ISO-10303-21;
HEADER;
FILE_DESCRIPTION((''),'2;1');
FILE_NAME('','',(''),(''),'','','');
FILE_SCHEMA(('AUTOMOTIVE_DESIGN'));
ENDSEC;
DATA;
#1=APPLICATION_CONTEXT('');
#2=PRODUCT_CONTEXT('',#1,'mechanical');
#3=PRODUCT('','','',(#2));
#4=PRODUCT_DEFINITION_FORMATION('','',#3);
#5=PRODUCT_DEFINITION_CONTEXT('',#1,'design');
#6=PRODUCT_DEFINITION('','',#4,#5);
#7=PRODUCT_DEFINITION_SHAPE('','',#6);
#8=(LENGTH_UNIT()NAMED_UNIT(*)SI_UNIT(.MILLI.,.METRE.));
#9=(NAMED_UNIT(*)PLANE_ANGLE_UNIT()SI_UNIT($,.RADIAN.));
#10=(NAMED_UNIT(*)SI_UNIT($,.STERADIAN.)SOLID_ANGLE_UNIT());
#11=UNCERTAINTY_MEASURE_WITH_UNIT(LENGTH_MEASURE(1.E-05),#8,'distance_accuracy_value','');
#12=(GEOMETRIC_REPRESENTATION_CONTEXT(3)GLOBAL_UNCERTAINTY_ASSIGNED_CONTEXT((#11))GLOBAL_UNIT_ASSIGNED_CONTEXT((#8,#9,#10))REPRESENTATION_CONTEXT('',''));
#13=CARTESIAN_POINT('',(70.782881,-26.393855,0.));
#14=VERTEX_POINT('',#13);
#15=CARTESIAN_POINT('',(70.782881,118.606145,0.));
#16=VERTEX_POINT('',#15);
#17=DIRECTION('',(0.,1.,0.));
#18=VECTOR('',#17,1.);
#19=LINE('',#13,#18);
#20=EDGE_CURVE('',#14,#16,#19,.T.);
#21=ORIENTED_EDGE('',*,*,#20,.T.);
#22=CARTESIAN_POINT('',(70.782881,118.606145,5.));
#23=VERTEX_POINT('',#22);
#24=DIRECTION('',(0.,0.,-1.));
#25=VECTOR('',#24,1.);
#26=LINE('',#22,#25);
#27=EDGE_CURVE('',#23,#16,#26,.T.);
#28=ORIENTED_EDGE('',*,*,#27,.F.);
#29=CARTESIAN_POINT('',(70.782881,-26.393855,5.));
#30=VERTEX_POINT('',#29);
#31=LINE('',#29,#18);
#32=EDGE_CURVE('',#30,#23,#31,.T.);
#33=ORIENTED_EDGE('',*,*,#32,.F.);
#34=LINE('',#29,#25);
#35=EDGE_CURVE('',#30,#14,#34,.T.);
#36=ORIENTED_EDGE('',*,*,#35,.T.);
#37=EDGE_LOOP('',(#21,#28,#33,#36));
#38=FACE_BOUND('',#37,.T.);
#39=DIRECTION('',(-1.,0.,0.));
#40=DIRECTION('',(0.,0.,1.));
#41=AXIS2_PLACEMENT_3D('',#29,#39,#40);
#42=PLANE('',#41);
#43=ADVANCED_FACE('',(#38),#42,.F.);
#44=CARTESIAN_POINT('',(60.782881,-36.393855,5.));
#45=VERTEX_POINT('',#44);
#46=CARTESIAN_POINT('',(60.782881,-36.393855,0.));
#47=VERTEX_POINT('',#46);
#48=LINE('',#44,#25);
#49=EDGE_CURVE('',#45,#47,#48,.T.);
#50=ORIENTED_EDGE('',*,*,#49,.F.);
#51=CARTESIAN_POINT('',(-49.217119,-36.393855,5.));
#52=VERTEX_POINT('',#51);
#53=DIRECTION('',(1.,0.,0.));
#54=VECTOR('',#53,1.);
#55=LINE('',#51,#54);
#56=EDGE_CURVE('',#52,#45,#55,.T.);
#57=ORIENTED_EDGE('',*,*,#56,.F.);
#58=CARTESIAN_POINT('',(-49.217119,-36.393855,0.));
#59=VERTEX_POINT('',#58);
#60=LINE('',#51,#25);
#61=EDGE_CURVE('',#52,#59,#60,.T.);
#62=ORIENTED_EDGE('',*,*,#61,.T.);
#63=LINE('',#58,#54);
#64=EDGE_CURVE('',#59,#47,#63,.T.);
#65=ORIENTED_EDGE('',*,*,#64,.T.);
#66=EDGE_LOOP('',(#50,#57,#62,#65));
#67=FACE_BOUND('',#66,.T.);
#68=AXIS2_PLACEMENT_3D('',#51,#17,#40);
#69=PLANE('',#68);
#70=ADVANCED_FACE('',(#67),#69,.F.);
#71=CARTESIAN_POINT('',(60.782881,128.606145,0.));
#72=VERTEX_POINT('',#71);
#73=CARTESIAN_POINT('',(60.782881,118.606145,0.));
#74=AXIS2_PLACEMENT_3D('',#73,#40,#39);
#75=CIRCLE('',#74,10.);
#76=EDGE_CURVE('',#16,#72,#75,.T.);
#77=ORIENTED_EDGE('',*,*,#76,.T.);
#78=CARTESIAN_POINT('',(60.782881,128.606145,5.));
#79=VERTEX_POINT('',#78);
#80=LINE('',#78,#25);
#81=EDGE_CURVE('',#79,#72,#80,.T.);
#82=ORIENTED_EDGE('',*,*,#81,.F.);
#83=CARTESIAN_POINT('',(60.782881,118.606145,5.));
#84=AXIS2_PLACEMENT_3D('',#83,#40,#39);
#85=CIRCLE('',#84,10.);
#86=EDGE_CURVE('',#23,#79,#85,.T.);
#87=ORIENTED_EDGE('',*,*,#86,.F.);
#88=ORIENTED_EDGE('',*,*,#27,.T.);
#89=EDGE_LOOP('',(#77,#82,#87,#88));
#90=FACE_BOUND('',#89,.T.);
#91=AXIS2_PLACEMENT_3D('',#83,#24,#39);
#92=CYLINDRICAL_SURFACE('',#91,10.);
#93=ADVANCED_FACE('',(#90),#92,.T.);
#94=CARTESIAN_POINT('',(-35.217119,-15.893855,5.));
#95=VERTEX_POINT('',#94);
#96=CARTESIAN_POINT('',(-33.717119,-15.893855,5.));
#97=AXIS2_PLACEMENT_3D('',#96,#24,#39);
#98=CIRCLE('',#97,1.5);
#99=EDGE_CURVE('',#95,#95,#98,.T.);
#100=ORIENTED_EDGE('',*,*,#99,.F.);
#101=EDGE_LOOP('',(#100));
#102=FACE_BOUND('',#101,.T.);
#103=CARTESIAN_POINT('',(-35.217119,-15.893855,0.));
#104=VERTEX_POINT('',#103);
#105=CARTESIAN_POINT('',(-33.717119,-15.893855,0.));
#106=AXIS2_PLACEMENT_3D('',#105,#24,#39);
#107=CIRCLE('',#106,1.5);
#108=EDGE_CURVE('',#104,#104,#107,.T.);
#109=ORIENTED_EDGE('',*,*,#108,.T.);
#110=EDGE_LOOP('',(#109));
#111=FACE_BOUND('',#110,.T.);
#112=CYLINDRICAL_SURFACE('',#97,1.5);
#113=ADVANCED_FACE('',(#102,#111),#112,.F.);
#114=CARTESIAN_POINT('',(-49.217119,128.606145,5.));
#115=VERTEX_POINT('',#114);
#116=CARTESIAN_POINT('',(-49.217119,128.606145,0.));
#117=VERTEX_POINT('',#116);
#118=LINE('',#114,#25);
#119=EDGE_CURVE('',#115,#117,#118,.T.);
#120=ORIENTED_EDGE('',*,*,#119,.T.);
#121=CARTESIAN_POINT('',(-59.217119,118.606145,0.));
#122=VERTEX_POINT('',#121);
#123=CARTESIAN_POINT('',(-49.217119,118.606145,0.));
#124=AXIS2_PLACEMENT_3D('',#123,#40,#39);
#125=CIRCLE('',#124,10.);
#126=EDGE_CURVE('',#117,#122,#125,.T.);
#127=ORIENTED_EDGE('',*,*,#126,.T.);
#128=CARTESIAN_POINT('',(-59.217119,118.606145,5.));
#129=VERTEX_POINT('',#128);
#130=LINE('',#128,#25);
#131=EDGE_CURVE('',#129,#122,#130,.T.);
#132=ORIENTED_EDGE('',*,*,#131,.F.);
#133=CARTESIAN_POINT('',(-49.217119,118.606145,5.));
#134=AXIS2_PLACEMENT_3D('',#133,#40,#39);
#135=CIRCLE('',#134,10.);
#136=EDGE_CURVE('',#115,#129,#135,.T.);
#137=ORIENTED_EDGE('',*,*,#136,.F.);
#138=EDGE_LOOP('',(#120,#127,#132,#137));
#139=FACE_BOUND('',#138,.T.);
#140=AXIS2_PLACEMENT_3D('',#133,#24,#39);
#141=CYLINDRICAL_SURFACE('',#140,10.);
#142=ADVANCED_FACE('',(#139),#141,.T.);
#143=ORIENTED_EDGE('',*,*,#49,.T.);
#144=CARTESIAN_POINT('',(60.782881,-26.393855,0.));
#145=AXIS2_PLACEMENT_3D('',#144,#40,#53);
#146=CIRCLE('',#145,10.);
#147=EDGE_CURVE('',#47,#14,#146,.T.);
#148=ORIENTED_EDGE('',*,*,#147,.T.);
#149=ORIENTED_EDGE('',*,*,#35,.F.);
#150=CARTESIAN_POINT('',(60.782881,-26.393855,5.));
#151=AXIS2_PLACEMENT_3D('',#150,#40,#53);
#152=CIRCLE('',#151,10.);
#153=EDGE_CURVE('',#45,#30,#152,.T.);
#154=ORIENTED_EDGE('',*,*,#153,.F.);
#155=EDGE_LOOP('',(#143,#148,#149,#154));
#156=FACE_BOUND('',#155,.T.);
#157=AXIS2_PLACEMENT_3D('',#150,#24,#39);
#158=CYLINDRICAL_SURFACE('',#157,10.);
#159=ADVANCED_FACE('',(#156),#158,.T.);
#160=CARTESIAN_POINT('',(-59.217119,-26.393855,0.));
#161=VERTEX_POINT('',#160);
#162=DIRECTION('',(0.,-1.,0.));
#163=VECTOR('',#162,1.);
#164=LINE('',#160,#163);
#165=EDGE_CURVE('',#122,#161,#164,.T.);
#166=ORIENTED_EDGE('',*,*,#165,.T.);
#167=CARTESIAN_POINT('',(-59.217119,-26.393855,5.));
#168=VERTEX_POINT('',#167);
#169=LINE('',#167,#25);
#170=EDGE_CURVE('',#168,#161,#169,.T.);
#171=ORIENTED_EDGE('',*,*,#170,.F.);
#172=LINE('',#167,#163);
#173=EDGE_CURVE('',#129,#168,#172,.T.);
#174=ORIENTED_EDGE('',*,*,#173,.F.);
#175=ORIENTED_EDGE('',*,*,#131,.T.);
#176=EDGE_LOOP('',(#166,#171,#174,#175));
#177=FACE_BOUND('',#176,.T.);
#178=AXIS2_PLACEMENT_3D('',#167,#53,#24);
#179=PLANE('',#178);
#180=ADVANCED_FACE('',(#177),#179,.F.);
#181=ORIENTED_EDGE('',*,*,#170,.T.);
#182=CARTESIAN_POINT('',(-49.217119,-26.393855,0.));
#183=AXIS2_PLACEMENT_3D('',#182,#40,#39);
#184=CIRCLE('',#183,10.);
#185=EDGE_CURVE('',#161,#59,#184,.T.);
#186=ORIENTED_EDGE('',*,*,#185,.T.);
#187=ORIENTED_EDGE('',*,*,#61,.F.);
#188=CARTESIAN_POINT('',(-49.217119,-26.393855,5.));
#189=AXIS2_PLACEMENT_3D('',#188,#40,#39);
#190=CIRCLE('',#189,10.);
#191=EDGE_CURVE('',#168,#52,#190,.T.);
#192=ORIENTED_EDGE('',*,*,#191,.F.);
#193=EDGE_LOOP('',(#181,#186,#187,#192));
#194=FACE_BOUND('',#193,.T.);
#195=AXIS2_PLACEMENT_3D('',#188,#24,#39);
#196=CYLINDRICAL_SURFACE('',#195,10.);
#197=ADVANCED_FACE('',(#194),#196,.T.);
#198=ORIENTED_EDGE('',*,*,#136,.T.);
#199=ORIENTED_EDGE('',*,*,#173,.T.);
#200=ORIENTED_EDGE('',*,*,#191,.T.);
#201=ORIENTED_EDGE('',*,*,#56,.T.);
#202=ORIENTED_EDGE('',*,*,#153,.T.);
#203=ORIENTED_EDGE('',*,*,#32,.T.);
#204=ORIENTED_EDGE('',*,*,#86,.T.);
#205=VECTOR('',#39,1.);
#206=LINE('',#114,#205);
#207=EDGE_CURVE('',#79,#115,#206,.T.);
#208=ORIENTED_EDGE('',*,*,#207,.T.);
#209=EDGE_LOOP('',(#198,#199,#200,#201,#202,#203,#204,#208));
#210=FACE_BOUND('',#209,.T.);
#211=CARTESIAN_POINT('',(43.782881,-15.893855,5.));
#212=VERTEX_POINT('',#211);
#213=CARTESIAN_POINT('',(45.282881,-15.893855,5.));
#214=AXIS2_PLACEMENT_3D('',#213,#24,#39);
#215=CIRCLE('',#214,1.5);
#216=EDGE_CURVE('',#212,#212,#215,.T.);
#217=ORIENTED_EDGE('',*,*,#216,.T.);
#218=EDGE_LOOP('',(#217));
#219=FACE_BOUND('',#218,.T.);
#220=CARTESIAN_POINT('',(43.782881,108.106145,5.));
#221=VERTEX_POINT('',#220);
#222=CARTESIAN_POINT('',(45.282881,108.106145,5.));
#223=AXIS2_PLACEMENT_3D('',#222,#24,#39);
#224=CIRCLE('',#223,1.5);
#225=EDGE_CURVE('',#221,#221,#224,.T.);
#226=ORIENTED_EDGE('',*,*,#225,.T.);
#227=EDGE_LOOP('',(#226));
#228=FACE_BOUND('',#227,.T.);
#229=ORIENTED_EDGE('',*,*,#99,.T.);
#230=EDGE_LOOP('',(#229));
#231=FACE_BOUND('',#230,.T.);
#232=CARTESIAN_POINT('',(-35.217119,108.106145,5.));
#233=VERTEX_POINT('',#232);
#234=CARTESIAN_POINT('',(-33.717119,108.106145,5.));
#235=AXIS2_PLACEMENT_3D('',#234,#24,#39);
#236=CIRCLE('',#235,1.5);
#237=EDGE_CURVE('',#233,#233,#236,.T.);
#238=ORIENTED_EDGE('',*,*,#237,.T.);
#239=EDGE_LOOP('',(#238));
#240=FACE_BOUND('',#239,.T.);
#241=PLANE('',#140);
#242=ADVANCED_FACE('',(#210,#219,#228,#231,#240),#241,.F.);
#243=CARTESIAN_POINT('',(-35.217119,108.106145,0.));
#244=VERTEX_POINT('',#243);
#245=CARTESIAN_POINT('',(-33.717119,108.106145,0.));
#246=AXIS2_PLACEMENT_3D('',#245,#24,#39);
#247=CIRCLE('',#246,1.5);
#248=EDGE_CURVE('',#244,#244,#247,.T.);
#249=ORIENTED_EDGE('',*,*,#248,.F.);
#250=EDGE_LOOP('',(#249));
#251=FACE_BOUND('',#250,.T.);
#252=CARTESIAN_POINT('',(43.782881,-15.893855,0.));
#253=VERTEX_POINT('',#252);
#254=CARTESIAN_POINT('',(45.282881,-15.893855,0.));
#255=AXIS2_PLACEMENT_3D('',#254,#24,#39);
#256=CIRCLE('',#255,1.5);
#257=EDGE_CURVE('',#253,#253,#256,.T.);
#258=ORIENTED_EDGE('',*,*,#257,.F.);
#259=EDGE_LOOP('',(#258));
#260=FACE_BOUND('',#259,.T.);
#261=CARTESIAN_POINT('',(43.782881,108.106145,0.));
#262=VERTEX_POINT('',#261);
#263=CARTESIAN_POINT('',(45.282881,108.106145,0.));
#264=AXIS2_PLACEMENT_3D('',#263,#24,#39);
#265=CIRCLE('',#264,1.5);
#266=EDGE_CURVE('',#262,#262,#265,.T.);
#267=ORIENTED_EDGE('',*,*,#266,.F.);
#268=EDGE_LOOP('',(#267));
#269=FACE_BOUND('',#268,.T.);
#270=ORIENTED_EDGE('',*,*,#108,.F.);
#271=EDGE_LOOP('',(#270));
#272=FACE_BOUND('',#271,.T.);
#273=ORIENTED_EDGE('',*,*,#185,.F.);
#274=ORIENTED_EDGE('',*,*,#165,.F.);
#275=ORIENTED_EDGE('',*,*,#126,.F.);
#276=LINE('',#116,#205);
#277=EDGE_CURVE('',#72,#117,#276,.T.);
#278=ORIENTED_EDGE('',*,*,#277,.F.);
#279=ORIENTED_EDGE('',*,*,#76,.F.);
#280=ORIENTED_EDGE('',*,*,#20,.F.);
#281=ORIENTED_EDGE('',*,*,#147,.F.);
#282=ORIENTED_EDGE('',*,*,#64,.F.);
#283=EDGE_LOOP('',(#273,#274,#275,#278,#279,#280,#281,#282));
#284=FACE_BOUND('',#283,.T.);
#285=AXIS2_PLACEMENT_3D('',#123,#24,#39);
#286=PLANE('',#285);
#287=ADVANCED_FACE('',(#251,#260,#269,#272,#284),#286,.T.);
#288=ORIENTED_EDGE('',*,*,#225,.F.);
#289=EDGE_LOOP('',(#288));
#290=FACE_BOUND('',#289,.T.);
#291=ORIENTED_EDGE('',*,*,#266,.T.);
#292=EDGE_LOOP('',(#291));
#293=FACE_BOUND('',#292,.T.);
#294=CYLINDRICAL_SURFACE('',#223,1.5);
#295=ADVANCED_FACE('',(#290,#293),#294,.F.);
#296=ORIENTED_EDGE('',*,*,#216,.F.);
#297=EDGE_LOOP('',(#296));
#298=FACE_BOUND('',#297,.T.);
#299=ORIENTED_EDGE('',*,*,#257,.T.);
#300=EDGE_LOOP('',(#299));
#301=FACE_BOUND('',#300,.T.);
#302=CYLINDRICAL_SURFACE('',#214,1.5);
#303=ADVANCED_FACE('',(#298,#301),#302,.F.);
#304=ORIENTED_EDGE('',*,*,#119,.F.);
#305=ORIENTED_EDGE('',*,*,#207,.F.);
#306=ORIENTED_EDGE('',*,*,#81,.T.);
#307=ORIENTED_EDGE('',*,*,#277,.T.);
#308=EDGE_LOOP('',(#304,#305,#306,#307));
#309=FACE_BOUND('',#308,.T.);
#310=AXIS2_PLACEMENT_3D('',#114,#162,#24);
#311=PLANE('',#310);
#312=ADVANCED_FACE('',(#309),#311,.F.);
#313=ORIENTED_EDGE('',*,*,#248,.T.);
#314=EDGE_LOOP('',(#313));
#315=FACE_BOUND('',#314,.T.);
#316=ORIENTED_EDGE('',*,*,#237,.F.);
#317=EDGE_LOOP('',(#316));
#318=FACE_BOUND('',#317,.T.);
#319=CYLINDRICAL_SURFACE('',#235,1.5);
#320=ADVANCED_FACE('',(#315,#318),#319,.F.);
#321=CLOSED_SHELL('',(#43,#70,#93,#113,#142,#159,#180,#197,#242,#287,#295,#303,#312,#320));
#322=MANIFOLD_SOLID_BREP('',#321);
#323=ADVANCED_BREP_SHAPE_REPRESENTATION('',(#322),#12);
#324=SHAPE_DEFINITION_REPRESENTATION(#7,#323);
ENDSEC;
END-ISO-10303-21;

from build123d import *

# Parameters (mm, degrees)
RESSALTO_EXTRUS_O1_DEPTH = 5
ESBO_O2_R                = 1.5
CORTE_EXTRUS_O1_DEPTH    = 5


with BuildPart() as part:
    # Esboço1 → Ressalto-extrusão1 (new body)
    with BuildSketch(Plane.XY):
        with BuildLine():
            Line((-49.217119449, -36.393854661), (60.782880551, -36.393854661))
            ThreePointArc((60.782880551, -36.393854661), (67.853948363, -33.464922473), (70.782880551, -26.393854661))
            Line((70.782880551, -26.393854661), (70.782880551, 118.606145339))
            ThreePointArc((70.782880551, 118.606145339), (67.853948363, 125.67721315), (60.782880551, 128.606145339))
            Line((60.782880551, 128.606145339), (-49.217119449, 128.606145339))
            ThreePointArc((-49.217119449, 128.606145339), (-56.288187261, 125.67721315), (-59.217119449, 118.606145339))
            Line((-59.217119449, 118.606145339), (-59.217119449, -26.393854661))
            ThreePointArc((-59.217119449, -26.393854661), (-56.288187261, -33.464922473), (-49.217119449, -36.393854661))
        make_face()
    extrude(amount=RESSALTO_EXTRUS_O1_DEPTH)

    # Esboço2 → Corte-extrusão1 (cut)
    with BuildSketch(Plane(origin=(0, 0, 0), x_dir=(-1, 0, 0), z_dir=(0, 0, -1))):
        with Locations((33.717119449, -15.893854661)):
            Circle(ESBO_O2_R)
        with Locations((33.717119449, 108.106145339)):
            Circle(ESBO_O2_R)
        with Locations((-45.282880551, -15.893854661)):
            Circle(ESBO_O2_R)
        with Locations((-45.282880551, 108.106145339)):
            Circle(ESBO_O2_R)
    extrude(amount=-CORTE_EXTRUS_O1_DEPTH, mode=Mode.SUBTRACT)


solid = part.part
